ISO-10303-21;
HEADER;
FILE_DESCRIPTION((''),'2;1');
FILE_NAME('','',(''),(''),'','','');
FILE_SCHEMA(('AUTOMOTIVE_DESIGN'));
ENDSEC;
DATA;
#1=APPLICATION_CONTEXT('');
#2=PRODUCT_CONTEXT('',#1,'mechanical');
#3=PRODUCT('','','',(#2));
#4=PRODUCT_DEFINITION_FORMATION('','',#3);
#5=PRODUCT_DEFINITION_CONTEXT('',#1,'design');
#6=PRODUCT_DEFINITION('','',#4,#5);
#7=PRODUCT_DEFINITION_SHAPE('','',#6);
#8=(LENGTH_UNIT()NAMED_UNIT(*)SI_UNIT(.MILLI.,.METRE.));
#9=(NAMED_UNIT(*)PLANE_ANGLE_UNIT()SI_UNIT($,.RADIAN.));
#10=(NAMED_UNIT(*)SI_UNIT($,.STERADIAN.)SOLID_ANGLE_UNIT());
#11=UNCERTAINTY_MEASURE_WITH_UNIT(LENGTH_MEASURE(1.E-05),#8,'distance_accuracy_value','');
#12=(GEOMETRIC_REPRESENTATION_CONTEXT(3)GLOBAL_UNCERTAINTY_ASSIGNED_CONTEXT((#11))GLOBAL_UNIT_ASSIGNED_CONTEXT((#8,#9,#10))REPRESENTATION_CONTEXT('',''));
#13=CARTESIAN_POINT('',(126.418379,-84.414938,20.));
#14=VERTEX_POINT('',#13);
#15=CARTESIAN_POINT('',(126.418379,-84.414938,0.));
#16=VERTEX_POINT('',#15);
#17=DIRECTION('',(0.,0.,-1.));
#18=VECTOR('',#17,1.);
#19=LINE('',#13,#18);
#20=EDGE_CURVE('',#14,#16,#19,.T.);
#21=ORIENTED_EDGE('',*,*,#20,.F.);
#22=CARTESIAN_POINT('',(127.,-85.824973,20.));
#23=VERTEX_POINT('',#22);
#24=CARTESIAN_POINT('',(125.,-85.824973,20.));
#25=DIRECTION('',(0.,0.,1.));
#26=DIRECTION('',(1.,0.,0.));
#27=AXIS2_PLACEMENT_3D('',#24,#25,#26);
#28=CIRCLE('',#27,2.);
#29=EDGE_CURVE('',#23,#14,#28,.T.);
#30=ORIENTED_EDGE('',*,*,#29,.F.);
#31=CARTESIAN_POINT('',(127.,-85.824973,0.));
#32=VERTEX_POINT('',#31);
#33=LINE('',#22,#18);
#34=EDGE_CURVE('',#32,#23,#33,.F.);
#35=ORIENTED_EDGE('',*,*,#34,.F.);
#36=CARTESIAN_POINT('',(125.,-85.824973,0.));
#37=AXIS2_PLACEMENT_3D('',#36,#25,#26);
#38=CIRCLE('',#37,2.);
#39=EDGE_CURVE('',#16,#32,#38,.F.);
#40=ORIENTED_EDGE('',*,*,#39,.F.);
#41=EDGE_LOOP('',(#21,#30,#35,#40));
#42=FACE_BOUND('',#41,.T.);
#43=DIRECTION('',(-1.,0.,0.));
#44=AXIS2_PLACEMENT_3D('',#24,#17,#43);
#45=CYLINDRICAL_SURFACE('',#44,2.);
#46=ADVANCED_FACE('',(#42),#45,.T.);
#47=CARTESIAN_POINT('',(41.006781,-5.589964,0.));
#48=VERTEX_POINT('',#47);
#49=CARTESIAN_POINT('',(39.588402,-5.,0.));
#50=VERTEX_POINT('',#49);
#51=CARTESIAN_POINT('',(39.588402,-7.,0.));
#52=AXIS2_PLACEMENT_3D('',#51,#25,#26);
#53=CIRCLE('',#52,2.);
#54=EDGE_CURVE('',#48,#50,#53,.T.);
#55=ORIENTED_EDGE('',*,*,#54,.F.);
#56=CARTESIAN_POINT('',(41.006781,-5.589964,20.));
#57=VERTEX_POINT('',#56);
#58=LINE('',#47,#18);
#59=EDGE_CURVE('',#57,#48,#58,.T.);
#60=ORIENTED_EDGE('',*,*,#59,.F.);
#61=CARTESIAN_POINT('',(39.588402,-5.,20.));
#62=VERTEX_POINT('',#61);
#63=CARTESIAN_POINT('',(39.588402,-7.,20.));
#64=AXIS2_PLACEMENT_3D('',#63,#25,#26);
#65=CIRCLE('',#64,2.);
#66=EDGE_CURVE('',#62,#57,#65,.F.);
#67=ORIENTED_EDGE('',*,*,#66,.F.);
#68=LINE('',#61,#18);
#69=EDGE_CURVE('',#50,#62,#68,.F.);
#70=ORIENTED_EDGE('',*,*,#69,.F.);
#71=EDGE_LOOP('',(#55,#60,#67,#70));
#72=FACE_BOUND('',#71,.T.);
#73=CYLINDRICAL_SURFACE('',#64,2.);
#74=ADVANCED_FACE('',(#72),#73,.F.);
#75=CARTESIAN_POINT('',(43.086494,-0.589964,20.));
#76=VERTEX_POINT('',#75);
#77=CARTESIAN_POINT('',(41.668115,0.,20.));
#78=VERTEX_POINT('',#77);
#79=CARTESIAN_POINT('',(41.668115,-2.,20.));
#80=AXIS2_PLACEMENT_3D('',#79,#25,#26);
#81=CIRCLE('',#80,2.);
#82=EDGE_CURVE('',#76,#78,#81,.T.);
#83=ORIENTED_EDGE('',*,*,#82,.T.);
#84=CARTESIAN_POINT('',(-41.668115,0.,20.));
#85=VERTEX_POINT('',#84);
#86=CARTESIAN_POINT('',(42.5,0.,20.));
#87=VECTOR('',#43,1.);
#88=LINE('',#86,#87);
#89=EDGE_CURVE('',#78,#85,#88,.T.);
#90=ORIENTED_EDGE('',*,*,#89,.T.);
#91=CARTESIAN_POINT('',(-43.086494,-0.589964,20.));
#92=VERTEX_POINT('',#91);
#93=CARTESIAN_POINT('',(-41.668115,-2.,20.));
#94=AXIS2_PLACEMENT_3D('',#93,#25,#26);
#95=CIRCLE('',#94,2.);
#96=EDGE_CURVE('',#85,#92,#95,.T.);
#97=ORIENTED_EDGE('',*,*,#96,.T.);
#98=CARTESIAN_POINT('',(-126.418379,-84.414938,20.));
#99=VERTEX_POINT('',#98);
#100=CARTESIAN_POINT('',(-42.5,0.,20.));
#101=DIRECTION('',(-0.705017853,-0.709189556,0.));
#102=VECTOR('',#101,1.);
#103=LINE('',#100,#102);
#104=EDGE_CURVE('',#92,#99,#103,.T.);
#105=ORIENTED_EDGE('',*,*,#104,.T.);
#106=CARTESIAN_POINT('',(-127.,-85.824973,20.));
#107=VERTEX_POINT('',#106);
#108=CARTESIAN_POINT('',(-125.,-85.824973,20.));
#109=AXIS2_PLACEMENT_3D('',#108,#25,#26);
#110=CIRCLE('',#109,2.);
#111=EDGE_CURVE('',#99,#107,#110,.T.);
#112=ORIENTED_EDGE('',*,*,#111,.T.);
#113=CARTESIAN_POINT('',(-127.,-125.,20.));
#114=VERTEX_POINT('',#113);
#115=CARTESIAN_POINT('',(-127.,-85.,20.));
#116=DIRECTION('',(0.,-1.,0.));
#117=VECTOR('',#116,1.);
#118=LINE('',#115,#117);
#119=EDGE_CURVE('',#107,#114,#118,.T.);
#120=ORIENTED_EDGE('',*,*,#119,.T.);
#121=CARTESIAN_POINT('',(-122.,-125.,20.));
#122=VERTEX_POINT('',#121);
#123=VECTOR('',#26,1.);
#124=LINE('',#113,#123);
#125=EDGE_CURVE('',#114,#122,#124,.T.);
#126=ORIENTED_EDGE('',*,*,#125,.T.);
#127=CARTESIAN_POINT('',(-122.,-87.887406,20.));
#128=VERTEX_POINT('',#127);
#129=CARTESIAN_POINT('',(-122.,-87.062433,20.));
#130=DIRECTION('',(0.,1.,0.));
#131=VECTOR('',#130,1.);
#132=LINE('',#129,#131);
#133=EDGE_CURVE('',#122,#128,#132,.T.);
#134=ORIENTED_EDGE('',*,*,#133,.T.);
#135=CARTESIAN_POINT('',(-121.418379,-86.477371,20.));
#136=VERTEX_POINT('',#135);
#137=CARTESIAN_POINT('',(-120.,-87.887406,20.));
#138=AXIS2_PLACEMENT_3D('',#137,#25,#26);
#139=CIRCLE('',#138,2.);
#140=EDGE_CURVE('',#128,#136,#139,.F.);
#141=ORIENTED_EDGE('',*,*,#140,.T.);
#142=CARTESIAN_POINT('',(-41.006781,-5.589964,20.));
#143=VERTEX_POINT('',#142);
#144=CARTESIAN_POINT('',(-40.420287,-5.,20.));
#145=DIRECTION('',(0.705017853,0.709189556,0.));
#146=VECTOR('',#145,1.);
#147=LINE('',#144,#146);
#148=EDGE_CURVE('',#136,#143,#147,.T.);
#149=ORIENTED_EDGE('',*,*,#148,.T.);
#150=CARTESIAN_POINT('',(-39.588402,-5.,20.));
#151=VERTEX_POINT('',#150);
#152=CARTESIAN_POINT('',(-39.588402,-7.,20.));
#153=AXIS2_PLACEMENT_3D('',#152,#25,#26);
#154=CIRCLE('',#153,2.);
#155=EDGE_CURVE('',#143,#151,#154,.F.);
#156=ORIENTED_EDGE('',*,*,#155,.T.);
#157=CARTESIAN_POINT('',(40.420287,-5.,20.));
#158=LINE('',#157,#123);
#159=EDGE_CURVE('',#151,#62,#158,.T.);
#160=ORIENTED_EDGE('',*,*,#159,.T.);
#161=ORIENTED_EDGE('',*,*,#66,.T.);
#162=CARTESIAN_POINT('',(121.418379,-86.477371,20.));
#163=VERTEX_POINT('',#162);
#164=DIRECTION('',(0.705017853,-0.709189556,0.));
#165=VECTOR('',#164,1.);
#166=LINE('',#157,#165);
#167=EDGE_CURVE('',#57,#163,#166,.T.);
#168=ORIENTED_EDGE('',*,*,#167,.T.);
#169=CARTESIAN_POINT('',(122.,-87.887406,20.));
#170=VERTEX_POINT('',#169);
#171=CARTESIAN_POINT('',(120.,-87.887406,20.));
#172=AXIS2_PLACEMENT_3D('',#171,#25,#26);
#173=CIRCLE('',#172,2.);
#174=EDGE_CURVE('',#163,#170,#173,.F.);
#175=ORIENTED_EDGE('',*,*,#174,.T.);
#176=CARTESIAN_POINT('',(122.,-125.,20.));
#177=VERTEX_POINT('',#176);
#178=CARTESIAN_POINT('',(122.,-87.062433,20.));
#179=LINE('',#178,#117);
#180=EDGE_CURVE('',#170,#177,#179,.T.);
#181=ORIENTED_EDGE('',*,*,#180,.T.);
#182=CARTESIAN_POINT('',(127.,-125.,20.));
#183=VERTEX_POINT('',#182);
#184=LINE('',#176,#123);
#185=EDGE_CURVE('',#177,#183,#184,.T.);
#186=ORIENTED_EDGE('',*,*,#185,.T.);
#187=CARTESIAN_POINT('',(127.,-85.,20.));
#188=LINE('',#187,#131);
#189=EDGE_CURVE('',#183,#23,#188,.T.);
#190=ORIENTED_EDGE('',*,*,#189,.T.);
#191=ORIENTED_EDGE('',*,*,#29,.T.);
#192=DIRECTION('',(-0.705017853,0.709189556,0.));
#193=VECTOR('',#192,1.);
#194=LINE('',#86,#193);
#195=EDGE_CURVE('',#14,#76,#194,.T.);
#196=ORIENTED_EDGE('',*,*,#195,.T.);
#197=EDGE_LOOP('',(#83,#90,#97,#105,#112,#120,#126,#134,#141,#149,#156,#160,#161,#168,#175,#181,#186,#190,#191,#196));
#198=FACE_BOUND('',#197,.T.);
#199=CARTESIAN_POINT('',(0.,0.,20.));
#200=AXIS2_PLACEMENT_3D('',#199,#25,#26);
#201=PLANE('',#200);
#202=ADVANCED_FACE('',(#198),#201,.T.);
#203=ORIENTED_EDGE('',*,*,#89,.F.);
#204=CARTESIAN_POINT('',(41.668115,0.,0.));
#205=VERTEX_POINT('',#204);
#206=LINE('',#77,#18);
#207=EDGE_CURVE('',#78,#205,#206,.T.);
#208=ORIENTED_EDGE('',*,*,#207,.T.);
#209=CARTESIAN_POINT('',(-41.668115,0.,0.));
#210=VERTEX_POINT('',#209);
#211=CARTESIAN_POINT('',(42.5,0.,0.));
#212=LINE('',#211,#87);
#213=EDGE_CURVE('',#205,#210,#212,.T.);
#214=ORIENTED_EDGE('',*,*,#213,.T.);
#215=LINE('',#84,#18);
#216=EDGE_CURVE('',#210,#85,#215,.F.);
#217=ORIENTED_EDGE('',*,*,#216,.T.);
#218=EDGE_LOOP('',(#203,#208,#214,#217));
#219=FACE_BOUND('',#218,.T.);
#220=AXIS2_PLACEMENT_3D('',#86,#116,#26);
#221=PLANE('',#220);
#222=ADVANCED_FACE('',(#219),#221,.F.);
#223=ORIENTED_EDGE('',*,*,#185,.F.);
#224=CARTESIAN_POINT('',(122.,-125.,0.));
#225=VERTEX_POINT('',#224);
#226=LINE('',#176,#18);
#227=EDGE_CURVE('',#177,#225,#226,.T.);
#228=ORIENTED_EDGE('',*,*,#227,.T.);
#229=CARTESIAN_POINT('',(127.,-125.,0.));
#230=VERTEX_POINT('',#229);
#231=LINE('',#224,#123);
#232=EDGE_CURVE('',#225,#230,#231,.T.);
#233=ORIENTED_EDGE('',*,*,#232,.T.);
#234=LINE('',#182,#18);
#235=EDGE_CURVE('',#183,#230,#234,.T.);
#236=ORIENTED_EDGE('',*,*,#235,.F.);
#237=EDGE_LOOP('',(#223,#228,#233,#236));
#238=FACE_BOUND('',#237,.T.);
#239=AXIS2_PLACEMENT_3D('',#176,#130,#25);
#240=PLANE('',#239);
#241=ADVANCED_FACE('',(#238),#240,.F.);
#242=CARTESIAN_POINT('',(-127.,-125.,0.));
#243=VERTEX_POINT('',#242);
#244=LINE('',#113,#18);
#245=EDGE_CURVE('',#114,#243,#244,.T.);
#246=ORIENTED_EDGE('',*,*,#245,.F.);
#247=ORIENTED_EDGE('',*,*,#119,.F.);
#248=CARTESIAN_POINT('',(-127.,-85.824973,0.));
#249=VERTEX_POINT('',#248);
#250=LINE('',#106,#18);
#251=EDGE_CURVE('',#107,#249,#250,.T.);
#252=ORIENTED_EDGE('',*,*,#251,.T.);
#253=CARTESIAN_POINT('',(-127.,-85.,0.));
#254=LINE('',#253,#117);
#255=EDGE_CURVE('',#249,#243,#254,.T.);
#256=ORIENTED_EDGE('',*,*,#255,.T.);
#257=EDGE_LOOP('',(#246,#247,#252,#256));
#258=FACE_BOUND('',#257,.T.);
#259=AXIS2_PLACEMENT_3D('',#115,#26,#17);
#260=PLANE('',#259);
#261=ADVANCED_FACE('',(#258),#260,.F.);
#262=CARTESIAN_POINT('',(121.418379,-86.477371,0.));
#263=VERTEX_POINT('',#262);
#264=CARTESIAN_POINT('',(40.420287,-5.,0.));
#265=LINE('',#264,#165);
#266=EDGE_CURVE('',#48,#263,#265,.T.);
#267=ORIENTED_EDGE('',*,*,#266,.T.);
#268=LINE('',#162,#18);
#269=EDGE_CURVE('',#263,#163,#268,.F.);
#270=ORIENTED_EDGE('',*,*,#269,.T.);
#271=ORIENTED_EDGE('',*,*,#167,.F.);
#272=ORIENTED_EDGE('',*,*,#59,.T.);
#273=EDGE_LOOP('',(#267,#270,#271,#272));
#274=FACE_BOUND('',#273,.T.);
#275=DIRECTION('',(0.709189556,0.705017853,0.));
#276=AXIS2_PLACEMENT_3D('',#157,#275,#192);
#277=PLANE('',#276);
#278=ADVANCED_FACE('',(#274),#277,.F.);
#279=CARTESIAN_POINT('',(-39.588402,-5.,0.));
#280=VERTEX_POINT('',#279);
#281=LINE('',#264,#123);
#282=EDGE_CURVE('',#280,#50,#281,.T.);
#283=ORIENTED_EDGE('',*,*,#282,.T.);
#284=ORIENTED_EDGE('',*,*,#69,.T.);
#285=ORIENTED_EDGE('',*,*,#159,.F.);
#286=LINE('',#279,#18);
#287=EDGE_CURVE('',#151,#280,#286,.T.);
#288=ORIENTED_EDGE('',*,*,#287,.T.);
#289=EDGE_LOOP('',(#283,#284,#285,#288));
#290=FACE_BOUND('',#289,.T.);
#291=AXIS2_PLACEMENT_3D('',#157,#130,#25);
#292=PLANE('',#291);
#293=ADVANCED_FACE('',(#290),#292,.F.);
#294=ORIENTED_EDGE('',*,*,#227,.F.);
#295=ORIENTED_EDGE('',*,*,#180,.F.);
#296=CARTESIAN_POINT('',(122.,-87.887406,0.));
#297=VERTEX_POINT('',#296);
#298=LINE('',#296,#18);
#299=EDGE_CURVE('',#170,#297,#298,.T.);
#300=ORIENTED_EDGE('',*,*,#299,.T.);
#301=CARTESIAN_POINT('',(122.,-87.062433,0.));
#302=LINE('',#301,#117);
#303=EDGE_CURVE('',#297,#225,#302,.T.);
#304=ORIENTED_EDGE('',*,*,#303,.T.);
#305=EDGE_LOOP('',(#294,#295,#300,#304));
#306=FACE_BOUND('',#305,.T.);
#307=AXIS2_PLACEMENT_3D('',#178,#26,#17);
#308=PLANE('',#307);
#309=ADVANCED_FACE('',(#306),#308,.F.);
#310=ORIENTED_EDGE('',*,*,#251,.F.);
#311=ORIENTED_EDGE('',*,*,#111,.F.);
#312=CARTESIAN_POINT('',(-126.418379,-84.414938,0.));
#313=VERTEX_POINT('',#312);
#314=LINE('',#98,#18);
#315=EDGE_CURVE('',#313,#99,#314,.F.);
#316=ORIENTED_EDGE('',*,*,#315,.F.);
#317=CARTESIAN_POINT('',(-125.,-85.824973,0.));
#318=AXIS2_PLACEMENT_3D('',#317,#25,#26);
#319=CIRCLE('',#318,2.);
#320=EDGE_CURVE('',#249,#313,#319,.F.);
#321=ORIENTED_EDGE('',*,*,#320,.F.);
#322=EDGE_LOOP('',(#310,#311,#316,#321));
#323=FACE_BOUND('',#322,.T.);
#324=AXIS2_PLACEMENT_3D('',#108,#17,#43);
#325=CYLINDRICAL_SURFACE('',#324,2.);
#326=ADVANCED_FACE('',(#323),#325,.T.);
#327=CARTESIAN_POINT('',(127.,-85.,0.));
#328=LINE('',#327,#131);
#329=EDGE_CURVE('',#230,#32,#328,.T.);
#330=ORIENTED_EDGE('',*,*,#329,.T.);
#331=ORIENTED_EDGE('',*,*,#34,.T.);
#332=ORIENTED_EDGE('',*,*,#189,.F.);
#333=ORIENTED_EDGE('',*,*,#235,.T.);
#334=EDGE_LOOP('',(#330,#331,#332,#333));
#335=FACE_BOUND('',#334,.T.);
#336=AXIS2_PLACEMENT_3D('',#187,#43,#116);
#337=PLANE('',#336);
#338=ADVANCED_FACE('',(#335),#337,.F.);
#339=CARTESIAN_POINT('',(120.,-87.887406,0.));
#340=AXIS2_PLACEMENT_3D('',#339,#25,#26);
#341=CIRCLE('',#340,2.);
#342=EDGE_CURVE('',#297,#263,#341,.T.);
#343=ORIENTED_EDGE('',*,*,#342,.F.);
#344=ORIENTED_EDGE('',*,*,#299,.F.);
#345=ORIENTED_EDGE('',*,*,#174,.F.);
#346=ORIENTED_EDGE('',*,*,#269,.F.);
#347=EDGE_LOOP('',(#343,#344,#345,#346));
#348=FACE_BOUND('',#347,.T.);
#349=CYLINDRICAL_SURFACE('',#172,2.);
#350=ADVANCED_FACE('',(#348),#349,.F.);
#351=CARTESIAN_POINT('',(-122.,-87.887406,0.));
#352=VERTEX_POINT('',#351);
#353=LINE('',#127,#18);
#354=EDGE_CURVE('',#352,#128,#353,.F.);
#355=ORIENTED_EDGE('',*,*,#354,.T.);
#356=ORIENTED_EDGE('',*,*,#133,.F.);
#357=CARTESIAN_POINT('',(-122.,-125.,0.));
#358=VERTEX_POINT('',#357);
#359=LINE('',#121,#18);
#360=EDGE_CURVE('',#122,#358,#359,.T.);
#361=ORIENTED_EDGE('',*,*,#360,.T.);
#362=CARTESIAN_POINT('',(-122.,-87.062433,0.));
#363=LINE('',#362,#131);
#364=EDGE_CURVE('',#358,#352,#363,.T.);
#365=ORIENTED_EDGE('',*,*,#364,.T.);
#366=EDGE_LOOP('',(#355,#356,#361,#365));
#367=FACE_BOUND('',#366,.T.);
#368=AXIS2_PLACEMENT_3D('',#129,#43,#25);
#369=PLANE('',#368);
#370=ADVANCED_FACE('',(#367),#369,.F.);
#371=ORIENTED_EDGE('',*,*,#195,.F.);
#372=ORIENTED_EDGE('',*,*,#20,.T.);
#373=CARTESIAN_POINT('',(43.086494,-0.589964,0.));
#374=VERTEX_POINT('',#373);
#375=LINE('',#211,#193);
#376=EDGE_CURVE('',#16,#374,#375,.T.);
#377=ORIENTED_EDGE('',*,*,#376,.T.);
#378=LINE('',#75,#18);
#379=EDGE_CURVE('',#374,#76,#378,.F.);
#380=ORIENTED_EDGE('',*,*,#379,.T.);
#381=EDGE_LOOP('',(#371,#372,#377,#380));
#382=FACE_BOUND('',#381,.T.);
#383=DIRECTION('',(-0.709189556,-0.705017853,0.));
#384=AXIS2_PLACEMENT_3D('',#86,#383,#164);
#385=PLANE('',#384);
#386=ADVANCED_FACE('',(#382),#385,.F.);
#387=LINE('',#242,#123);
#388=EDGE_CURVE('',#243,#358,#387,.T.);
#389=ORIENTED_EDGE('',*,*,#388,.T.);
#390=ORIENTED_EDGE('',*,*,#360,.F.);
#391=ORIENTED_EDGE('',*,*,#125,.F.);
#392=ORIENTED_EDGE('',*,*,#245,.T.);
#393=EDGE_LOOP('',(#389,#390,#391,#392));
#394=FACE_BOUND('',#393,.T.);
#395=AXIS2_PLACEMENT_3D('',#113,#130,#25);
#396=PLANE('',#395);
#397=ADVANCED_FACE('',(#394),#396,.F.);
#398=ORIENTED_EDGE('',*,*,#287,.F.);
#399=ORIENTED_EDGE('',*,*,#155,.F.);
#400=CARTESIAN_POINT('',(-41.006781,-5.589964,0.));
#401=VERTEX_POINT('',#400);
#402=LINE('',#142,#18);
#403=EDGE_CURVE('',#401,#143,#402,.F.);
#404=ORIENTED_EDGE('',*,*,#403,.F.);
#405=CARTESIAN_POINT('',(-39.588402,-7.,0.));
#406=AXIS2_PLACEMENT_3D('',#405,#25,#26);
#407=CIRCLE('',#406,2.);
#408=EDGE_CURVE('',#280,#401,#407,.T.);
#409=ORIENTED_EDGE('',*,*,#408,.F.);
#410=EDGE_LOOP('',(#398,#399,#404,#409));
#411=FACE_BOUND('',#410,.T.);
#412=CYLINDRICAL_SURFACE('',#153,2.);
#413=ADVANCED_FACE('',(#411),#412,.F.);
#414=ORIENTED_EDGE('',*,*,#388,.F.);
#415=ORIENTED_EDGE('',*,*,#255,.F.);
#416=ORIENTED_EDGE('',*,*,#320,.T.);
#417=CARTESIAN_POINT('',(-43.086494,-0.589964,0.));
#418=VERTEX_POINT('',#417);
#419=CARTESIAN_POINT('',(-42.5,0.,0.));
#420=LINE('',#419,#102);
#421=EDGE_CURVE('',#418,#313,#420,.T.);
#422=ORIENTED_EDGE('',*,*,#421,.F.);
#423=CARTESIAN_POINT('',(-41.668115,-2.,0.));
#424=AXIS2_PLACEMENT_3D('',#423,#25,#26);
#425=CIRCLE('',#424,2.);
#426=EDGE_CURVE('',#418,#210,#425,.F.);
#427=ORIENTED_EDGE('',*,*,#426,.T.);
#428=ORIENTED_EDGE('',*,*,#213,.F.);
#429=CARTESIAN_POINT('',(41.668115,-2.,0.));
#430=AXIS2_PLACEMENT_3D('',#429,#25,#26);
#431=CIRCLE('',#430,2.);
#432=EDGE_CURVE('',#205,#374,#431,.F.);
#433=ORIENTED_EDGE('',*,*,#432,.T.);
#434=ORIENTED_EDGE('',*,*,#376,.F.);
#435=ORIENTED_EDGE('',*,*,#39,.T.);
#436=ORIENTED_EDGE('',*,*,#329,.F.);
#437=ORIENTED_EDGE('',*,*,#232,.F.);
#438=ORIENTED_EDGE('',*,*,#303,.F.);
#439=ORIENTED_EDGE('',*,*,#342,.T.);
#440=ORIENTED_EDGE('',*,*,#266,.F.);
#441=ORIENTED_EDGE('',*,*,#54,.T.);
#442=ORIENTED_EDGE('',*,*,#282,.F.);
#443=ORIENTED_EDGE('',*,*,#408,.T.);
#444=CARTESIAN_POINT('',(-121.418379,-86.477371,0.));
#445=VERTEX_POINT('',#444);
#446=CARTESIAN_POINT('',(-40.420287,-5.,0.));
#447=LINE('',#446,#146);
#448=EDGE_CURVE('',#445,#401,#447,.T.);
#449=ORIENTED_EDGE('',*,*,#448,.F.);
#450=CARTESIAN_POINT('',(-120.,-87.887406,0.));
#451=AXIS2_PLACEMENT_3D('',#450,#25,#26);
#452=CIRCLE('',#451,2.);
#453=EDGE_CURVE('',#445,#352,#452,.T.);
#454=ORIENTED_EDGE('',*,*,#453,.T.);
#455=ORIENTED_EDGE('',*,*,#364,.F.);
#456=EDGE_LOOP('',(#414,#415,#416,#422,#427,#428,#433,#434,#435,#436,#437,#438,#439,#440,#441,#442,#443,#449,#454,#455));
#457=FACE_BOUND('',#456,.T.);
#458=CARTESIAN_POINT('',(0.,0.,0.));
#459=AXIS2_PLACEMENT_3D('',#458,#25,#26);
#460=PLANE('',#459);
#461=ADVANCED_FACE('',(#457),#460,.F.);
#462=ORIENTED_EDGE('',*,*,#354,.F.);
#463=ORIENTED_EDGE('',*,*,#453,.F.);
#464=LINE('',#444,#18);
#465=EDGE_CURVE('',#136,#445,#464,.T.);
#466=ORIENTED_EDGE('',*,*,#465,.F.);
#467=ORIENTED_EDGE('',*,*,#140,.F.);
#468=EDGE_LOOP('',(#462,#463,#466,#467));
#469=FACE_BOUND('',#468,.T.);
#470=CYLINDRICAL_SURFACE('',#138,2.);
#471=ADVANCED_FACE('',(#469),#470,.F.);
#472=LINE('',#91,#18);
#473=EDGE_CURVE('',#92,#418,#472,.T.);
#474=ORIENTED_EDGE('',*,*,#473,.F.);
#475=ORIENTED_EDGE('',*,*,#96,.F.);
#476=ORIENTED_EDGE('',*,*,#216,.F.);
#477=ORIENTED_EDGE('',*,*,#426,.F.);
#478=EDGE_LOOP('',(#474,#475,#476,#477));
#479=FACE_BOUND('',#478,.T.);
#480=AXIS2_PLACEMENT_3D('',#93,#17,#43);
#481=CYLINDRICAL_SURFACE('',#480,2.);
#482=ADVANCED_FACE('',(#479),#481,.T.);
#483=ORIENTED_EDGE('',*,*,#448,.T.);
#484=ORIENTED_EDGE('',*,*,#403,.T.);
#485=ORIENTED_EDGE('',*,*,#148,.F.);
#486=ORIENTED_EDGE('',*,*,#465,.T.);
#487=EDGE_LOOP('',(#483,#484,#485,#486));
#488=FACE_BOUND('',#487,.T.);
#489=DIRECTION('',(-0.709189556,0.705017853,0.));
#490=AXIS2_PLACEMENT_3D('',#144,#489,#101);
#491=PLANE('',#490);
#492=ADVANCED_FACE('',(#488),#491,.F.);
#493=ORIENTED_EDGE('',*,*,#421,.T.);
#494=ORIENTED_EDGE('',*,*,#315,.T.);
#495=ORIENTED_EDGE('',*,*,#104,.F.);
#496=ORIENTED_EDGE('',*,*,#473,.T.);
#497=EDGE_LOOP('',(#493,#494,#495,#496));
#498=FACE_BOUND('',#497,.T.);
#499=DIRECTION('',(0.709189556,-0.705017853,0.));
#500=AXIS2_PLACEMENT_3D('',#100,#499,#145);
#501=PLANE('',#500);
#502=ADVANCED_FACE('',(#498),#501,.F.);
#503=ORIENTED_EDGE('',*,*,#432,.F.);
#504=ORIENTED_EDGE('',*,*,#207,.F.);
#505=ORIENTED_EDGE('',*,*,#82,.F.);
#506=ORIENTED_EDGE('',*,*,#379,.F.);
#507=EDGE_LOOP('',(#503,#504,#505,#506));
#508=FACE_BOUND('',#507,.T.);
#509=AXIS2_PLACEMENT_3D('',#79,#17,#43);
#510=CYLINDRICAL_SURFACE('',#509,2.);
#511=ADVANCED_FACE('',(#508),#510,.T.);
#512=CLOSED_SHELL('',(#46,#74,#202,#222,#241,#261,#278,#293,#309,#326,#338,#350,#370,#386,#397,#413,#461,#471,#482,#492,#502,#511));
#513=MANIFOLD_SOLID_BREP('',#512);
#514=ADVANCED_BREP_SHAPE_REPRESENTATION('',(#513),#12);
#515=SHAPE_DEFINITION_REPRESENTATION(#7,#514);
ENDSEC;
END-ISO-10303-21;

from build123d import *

# Parameters (mm, degrees)
BOSS_EXTRUDE1_DEPTH = 20
FILLET1_R           = 2


with BuildPart() as part:
    # Sketch1 → Boss-Extrude1 (new body)
    with BuildSketch(Plane.XY):
        Polygon((42.5, 0), (-42.5, 0), (-127, -85), (-127, -125), (-122, -125), (-122, -87.062433188), (-40.420287007, -5), (40.420287007, -5), (122, -87.062433188), (122, -125), (127, -125), (127, -85), align=None)
    extrude(amount=BOSS_EXTRUDE1_DEPTH)

    # Fillet1
    fillet1_edges = [part.edges().sort_by_distance(p)[0] for p in [
        (122, -87.062433188, 10),
        (40.420287007, -5, 10),
        (-40.420287007, -5, 10),
        (-122, -87.062433188, 10),
        (-127, -85, 10),
        (-42.5, 0, 10),
        (42.5, 0, 10),
        (127, -85, 10),
    ]]
    fillet(fillet1_edges, radius=FILLET1_R)


solid = part.part
